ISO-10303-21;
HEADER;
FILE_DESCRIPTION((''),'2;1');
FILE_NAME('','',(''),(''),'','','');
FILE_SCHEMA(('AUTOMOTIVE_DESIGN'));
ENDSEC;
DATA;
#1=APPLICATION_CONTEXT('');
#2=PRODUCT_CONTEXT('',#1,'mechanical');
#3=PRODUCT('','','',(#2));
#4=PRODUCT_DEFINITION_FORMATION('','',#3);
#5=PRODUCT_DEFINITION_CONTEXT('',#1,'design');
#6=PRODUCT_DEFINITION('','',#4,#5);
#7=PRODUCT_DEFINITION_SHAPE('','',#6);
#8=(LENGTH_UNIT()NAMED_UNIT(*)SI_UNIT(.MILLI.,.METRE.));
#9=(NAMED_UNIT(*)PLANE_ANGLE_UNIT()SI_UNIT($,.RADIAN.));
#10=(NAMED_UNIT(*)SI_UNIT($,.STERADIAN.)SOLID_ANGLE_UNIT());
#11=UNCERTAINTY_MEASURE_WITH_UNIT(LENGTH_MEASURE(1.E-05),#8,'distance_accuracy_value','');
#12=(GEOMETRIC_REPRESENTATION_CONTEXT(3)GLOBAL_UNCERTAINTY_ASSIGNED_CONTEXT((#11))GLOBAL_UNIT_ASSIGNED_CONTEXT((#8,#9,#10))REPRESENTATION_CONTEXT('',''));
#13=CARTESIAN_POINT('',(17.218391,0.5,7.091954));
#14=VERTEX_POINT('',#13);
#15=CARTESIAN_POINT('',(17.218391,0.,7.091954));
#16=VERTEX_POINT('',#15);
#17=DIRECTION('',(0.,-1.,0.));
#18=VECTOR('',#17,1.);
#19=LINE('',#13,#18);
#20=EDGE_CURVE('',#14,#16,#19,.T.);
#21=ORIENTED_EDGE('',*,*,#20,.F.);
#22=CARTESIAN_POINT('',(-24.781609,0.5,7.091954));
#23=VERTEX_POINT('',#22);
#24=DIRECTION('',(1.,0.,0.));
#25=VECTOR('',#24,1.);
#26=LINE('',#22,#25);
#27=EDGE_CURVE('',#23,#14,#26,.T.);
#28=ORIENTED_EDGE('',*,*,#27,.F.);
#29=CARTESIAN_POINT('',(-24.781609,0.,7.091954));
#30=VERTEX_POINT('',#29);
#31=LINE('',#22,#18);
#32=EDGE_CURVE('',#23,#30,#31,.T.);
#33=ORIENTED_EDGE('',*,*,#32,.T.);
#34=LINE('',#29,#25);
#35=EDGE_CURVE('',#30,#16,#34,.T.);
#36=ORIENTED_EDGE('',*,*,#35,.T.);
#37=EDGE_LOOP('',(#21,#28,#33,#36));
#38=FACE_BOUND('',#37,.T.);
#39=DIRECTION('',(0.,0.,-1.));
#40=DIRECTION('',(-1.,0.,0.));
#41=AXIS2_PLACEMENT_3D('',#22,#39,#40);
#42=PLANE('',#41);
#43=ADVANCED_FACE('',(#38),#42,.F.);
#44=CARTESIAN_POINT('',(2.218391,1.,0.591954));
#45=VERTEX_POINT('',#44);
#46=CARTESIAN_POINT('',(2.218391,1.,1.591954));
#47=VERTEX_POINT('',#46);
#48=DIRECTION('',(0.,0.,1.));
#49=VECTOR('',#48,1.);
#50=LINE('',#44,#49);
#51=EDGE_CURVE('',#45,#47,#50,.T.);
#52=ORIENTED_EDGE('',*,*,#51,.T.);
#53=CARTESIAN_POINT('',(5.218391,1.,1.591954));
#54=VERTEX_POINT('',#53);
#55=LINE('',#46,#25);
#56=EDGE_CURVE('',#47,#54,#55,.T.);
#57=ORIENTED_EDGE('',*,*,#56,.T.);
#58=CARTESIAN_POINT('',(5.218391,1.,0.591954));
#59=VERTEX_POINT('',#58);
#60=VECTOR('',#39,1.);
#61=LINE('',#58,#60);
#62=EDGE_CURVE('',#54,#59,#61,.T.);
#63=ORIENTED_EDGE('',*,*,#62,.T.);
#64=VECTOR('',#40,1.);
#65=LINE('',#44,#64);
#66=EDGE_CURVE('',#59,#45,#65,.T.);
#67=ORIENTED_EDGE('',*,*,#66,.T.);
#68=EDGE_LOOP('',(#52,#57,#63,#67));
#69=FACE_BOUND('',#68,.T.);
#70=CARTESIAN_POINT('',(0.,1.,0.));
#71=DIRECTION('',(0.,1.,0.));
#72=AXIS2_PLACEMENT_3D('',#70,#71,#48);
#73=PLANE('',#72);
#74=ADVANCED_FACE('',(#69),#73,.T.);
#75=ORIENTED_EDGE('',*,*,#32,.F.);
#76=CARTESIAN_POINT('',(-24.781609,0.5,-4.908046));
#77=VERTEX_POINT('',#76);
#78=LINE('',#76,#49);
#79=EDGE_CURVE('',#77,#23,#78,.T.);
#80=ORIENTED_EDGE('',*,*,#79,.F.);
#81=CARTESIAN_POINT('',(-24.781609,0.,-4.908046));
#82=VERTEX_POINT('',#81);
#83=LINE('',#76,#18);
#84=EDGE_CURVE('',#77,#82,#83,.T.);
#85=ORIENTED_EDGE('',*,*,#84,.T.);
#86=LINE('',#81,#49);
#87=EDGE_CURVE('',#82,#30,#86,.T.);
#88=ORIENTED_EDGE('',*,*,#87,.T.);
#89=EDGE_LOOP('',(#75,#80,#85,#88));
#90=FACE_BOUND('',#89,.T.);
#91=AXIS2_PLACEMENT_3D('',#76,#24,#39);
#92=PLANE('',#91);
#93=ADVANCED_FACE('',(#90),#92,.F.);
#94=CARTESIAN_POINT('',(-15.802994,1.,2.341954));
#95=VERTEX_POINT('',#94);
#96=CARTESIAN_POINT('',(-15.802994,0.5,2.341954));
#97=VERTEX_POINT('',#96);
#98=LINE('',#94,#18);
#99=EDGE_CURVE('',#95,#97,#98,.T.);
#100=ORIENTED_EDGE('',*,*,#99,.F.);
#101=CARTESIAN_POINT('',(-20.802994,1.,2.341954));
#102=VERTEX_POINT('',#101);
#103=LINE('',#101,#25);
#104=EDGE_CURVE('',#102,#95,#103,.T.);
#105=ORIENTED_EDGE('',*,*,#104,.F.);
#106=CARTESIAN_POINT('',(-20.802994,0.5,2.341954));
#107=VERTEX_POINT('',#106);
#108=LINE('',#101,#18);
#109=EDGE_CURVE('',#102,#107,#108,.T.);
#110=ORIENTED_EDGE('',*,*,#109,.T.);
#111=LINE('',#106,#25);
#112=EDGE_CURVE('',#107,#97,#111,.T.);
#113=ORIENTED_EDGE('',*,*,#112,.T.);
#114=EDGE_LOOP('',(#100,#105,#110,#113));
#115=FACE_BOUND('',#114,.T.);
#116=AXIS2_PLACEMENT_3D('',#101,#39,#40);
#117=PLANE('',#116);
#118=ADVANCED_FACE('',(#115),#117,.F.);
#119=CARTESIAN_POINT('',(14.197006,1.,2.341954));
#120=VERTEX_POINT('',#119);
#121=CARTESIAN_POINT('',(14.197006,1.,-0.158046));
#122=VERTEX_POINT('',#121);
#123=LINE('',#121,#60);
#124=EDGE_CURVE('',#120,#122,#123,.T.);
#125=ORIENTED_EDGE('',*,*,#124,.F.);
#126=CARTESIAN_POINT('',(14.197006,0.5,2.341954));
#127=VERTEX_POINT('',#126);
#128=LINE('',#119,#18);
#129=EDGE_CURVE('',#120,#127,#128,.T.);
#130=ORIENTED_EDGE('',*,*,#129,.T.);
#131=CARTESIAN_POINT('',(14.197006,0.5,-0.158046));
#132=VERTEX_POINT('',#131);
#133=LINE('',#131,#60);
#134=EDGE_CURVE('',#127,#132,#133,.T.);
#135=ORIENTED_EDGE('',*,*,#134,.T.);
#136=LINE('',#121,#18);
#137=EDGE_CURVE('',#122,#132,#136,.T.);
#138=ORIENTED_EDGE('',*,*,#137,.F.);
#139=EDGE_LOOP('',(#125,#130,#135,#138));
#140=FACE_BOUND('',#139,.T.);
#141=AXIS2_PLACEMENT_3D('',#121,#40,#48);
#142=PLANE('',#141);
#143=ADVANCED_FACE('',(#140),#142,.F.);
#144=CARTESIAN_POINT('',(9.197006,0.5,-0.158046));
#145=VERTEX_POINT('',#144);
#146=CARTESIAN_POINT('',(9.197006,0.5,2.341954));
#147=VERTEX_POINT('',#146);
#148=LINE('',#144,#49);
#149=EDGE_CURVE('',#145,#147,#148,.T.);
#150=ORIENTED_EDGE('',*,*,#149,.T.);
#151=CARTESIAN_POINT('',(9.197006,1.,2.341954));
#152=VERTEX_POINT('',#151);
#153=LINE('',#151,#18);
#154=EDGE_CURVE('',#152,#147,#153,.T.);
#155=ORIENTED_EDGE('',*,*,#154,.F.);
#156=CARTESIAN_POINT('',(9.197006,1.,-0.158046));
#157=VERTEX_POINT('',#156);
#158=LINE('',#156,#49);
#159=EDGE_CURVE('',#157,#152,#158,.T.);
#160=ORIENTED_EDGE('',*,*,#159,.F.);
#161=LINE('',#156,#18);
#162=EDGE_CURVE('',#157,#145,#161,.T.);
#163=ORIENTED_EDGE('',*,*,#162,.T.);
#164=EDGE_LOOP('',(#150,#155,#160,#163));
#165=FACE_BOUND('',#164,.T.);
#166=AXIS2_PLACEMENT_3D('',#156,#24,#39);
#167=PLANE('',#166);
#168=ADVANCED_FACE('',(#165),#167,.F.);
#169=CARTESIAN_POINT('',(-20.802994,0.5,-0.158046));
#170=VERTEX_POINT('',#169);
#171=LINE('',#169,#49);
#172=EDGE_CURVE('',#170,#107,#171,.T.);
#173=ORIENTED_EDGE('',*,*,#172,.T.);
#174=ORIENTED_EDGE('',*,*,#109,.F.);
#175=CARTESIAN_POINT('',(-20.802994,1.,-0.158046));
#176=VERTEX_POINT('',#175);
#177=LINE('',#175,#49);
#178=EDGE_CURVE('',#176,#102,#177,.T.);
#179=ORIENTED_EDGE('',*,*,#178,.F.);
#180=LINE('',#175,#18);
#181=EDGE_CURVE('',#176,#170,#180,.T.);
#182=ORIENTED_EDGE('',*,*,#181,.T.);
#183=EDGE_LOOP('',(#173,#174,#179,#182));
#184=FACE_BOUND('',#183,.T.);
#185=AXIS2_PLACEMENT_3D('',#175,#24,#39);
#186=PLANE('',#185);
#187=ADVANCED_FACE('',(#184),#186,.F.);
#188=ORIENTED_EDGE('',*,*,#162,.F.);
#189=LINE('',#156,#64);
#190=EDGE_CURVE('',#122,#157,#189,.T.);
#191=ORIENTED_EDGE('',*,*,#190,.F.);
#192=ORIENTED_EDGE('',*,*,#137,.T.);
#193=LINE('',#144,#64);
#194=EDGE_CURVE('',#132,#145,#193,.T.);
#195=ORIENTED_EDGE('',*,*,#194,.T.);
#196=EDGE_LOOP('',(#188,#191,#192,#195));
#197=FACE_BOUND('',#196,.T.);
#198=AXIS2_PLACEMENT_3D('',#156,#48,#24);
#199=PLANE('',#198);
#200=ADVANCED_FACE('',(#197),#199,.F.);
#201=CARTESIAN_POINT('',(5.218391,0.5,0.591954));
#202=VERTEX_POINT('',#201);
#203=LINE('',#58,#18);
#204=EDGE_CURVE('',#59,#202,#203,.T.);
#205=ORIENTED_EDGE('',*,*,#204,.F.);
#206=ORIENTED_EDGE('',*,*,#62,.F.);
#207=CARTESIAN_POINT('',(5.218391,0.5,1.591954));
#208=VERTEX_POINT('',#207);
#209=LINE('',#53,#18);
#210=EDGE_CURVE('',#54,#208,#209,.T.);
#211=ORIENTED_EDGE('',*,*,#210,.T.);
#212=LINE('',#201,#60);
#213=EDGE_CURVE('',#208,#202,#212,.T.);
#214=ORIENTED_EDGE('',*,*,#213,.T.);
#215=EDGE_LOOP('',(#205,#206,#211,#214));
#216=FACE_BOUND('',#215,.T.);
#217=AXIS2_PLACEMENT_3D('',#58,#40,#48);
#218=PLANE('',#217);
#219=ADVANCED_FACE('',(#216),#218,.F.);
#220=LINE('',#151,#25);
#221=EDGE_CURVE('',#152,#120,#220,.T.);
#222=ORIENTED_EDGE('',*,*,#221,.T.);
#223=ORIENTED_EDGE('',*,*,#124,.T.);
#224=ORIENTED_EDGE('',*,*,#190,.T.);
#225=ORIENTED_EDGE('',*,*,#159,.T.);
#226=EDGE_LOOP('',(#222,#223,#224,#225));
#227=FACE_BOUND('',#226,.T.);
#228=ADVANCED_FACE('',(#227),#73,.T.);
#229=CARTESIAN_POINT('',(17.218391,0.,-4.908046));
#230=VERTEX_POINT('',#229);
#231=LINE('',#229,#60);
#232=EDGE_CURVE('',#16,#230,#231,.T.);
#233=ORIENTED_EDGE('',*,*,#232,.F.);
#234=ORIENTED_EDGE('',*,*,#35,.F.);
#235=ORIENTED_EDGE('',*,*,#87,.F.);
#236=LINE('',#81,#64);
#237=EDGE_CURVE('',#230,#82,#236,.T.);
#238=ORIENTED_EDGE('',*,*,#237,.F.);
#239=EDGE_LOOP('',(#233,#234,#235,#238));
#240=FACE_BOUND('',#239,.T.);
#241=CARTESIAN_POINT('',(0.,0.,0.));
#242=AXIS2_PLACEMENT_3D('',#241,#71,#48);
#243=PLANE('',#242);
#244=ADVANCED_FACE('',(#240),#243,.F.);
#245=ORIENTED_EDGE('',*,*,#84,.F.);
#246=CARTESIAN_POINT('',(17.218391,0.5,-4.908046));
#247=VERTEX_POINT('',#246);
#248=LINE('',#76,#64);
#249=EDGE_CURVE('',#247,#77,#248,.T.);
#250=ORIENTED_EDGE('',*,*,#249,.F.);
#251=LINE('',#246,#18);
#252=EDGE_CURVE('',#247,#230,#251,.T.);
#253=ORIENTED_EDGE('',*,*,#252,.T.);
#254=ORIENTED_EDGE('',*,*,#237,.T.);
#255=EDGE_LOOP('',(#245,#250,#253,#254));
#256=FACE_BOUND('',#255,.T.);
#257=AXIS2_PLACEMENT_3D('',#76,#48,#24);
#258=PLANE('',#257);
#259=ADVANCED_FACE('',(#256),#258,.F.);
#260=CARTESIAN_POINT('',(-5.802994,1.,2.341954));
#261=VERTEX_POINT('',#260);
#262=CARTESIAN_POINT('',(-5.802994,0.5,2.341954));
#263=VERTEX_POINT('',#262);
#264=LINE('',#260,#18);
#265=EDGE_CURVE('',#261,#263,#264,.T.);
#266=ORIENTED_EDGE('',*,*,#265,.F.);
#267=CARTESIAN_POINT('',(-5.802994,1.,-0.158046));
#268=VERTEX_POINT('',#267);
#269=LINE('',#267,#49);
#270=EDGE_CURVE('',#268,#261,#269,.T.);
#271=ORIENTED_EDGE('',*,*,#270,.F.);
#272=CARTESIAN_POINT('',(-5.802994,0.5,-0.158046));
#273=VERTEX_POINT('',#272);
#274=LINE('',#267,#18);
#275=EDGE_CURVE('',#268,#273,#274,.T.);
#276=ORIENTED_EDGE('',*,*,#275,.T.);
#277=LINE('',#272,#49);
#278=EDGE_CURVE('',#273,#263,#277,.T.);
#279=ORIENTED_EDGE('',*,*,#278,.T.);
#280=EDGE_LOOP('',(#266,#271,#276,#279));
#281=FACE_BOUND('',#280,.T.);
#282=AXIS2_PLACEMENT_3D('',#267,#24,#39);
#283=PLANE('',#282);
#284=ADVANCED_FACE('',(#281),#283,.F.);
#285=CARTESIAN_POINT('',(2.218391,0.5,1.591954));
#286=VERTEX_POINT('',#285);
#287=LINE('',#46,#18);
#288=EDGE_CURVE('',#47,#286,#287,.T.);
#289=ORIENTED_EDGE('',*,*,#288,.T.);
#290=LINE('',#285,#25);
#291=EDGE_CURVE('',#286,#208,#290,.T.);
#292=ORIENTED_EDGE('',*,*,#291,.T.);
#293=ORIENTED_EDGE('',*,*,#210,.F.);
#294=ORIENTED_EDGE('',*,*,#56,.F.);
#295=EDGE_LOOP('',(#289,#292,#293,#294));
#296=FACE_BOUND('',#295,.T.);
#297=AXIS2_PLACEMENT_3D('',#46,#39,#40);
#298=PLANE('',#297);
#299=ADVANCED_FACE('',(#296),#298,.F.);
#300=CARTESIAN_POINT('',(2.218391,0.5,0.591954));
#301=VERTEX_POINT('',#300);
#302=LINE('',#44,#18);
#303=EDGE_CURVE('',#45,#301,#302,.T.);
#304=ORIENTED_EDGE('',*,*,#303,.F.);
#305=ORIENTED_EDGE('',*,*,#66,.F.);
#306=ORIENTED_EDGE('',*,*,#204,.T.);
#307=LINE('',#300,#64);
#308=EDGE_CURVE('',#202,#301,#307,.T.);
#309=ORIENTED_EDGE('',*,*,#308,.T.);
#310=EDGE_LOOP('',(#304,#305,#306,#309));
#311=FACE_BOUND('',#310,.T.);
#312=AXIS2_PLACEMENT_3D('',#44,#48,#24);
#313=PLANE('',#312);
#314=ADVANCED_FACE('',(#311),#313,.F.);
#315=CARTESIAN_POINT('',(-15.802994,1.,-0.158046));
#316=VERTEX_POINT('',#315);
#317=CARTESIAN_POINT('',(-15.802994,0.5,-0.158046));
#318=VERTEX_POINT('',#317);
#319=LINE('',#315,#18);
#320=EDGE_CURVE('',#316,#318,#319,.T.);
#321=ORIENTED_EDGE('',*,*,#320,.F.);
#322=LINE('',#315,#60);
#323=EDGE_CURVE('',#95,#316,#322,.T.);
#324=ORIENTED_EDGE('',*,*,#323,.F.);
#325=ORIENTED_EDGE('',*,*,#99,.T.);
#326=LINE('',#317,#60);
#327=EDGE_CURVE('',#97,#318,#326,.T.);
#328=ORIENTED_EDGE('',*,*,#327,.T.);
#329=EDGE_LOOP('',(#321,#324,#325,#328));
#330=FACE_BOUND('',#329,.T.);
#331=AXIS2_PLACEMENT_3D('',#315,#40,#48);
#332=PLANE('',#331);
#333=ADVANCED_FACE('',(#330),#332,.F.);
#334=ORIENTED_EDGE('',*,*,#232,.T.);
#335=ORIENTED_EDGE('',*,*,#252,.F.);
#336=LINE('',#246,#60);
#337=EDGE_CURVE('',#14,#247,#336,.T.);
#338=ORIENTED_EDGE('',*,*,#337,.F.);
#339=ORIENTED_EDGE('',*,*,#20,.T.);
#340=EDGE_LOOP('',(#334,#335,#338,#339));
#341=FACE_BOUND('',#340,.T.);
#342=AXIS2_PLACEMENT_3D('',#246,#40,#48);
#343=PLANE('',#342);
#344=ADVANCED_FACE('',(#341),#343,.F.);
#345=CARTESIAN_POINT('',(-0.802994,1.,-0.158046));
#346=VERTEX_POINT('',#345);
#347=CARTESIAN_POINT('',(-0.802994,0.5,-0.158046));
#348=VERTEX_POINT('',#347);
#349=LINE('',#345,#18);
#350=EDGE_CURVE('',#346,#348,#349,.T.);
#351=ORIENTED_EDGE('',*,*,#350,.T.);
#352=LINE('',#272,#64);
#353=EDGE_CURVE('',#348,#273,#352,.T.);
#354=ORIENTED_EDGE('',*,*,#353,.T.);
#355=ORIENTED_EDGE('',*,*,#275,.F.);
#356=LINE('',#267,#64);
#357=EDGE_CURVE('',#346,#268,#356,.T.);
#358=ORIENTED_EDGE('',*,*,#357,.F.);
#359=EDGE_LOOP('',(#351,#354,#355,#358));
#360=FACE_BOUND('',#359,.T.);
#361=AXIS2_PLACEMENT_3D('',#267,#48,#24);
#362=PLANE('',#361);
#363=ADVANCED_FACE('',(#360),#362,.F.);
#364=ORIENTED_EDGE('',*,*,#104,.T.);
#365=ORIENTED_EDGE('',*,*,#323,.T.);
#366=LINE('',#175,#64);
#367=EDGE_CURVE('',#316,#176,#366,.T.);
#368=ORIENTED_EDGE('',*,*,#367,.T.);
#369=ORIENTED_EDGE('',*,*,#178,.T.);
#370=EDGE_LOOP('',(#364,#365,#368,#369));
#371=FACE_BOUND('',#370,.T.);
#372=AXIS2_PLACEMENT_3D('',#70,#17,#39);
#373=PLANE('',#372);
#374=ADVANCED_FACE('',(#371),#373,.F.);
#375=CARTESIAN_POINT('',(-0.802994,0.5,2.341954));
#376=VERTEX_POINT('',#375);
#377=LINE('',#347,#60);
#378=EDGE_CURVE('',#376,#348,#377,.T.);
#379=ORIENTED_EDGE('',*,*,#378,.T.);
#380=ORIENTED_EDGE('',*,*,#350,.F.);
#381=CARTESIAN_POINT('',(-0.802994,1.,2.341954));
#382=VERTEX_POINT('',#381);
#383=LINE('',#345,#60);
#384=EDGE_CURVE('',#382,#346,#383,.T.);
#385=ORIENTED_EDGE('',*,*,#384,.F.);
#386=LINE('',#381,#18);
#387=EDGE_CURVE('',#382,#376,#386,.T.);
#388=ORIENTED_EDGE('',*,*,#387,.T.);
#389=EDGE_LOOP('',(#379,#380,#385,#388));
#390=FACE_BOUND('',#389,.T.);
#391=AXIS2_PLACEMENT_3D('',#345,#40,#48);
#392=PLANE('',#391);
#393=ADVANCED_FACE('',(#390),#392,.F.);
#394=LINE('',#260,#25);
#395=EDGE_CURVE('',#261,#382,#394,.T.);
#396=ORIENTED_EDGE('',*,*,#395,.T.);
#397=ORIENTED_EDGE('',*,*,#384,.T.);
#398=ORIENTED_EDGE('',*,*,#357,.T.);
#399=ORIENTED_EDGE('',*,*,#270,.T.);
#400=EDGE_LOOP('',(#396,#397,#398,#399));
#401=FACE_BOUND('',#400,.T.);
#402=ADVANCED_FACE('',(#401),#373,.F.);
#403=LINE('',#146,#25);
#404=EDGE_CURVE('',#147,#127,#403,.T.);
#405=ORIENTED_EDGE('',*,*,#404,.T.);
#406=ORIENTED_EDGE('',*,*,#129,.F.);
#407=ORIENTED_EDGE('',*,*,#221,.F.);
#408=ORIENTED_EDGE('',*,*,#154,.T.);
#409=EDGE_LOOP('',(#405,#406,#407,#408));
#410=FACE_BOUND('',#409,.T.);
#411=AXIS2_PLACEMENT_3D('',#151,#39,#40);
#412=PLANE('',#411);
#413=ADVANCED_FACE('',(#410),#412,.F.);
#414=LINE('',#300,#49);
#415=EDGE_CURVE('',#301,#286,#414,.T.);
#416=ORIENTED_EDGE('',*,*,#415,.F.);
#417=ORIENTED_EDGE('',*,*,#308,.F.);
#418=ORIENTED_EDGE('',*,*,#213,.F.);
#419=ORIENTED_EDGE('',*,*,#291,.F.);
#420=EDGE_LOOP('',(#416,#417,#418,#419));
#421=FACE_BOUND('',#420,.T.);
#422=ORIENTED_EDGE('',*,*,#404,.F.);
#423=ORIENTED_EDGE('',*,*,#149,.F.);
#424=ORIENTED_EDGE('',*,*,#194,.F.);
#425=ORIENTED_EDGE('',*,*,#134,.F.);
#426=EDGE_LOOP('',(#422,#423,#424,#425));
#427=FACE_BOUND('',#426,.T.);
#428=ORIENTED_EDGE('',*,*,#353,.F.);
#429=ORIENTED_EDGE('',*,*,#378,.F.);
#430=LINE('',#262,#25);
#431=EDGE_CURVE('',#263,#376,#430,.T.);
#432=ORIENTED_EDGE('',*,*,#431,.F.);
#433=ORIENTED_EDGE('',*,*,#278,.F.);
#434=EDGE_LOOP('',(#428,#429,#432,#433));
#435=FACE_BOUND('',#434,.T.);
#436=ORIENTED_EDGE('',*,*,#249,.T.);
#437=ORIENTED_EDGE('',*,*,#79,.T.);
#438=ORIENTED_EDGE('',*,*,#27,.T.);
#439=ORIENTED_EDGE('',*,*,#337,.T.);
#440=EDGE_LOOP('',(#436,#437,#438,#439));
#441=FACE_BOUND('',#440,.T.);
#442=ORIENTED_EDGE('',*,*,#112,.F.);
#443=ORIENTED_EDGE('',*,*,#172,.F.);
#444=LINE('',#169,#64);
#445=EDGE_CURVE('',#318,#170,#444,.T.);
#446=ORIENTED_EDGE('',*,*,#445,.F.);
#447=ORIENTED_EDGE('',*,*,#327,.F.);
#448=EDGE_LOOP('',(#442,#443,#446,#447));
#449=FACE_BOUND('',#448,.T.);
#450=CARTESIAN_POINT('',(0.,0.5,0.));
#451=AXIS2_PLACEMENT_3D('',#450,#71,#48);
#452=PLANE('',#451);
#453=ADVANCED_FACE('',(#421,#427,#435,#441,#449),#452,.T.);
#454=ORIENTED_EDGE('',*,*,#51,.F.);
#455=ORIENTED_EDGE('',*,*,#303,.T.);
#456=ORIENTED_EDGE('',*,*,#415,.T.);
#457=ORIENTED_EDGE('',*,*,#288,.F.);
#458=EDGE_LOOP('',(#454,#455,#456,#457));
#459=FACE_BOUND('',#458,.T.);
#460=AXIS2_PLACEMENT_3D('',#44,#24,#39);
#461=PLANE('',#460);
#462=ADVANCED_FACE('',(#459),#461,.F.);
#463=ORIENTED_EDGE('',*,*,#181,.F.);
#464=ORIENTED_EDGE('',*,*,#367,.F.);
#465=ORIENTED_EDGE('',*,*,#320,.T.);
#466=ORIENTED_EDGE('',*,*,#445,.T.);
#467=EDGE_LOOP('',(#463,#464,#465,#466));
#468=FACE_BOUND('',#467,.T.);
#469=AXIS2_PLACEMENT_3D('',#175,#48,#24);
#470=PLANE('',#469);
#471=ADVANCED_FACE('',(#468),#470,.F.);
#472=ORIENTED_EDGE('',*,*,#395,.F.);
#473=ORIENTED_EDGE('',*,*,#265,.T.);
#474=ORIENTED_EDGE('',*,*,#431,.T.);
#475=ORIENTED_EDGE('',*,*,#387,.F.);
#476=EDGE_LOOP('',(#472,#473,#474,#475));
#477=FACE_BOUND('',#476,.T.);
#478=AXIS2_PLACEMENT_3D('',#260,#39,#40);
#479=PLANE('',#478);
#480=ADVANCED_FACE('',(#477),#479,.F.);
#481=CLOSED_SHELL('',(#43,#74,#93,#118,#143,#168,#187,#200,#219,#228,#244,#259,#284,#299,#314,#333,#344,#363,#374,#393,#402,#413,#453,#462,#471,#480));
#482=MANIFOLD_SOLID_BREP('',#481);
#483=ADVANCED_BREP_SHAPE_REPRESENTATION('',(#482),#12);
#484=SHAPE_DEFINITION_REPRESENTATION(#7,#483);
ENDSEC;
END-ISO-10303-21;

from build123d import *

# Parameters (mm, degrees)
SKETCH_1_W      = 42
SKETCH_1_H      = 12
EXTRUDE_1_DEPTH = 0.5
SKETCH_2_W      = 5
SKETCH_2_H      = 2.5
SKETCH_2_W_2    = 3
SKETCH_2_H_2    = 1
EXTRUDE_2_DEPTH = 0.5


with BuildPart() as part:
    # Эскиз1 → Бобышка-Вытянуть1 (new body)
    with BuildSketch(Plane(origin=(0, 0, 0), x_dir=(1, 0, 0), z_dir=(0, 1, 0))):
        with Locations((-3.781609195, -1.091954023)):
            Rectangle(SKETCH_1_W, SKETCH_1_H)
    extrude(amount=EXTRUDE_1_DEPTH)

    # Эскиз2 → Бобышка-Вытянуть2 (add)
    with BuildSketch(Plane(origin=(0, 0.5, 0), x_dir=(1, 0, 0), z_dir=(0, 1, 0))):
        with Locations((-3.302993855, -1.091954023)):
            Rectangle(SKETCH_2_W, SKETCH_2_H)
        with Locations((11.697006145, -1.091954023)):
            Rectangle(SKETCH_2_W, SKETCH_2_H)
        with Locations((-18.302993855, -1.091954023)):
            Rectangle(SKETCH_2_W, SKETCH_2_H)
        with Locations((3.718390805, -1.091954023)):
            Rectangle(SKETCH_2_W_2, SKETCH_2_H_2)
    extrude(amount=EXTRUDE_2_DEPTH)


solid = part.part
